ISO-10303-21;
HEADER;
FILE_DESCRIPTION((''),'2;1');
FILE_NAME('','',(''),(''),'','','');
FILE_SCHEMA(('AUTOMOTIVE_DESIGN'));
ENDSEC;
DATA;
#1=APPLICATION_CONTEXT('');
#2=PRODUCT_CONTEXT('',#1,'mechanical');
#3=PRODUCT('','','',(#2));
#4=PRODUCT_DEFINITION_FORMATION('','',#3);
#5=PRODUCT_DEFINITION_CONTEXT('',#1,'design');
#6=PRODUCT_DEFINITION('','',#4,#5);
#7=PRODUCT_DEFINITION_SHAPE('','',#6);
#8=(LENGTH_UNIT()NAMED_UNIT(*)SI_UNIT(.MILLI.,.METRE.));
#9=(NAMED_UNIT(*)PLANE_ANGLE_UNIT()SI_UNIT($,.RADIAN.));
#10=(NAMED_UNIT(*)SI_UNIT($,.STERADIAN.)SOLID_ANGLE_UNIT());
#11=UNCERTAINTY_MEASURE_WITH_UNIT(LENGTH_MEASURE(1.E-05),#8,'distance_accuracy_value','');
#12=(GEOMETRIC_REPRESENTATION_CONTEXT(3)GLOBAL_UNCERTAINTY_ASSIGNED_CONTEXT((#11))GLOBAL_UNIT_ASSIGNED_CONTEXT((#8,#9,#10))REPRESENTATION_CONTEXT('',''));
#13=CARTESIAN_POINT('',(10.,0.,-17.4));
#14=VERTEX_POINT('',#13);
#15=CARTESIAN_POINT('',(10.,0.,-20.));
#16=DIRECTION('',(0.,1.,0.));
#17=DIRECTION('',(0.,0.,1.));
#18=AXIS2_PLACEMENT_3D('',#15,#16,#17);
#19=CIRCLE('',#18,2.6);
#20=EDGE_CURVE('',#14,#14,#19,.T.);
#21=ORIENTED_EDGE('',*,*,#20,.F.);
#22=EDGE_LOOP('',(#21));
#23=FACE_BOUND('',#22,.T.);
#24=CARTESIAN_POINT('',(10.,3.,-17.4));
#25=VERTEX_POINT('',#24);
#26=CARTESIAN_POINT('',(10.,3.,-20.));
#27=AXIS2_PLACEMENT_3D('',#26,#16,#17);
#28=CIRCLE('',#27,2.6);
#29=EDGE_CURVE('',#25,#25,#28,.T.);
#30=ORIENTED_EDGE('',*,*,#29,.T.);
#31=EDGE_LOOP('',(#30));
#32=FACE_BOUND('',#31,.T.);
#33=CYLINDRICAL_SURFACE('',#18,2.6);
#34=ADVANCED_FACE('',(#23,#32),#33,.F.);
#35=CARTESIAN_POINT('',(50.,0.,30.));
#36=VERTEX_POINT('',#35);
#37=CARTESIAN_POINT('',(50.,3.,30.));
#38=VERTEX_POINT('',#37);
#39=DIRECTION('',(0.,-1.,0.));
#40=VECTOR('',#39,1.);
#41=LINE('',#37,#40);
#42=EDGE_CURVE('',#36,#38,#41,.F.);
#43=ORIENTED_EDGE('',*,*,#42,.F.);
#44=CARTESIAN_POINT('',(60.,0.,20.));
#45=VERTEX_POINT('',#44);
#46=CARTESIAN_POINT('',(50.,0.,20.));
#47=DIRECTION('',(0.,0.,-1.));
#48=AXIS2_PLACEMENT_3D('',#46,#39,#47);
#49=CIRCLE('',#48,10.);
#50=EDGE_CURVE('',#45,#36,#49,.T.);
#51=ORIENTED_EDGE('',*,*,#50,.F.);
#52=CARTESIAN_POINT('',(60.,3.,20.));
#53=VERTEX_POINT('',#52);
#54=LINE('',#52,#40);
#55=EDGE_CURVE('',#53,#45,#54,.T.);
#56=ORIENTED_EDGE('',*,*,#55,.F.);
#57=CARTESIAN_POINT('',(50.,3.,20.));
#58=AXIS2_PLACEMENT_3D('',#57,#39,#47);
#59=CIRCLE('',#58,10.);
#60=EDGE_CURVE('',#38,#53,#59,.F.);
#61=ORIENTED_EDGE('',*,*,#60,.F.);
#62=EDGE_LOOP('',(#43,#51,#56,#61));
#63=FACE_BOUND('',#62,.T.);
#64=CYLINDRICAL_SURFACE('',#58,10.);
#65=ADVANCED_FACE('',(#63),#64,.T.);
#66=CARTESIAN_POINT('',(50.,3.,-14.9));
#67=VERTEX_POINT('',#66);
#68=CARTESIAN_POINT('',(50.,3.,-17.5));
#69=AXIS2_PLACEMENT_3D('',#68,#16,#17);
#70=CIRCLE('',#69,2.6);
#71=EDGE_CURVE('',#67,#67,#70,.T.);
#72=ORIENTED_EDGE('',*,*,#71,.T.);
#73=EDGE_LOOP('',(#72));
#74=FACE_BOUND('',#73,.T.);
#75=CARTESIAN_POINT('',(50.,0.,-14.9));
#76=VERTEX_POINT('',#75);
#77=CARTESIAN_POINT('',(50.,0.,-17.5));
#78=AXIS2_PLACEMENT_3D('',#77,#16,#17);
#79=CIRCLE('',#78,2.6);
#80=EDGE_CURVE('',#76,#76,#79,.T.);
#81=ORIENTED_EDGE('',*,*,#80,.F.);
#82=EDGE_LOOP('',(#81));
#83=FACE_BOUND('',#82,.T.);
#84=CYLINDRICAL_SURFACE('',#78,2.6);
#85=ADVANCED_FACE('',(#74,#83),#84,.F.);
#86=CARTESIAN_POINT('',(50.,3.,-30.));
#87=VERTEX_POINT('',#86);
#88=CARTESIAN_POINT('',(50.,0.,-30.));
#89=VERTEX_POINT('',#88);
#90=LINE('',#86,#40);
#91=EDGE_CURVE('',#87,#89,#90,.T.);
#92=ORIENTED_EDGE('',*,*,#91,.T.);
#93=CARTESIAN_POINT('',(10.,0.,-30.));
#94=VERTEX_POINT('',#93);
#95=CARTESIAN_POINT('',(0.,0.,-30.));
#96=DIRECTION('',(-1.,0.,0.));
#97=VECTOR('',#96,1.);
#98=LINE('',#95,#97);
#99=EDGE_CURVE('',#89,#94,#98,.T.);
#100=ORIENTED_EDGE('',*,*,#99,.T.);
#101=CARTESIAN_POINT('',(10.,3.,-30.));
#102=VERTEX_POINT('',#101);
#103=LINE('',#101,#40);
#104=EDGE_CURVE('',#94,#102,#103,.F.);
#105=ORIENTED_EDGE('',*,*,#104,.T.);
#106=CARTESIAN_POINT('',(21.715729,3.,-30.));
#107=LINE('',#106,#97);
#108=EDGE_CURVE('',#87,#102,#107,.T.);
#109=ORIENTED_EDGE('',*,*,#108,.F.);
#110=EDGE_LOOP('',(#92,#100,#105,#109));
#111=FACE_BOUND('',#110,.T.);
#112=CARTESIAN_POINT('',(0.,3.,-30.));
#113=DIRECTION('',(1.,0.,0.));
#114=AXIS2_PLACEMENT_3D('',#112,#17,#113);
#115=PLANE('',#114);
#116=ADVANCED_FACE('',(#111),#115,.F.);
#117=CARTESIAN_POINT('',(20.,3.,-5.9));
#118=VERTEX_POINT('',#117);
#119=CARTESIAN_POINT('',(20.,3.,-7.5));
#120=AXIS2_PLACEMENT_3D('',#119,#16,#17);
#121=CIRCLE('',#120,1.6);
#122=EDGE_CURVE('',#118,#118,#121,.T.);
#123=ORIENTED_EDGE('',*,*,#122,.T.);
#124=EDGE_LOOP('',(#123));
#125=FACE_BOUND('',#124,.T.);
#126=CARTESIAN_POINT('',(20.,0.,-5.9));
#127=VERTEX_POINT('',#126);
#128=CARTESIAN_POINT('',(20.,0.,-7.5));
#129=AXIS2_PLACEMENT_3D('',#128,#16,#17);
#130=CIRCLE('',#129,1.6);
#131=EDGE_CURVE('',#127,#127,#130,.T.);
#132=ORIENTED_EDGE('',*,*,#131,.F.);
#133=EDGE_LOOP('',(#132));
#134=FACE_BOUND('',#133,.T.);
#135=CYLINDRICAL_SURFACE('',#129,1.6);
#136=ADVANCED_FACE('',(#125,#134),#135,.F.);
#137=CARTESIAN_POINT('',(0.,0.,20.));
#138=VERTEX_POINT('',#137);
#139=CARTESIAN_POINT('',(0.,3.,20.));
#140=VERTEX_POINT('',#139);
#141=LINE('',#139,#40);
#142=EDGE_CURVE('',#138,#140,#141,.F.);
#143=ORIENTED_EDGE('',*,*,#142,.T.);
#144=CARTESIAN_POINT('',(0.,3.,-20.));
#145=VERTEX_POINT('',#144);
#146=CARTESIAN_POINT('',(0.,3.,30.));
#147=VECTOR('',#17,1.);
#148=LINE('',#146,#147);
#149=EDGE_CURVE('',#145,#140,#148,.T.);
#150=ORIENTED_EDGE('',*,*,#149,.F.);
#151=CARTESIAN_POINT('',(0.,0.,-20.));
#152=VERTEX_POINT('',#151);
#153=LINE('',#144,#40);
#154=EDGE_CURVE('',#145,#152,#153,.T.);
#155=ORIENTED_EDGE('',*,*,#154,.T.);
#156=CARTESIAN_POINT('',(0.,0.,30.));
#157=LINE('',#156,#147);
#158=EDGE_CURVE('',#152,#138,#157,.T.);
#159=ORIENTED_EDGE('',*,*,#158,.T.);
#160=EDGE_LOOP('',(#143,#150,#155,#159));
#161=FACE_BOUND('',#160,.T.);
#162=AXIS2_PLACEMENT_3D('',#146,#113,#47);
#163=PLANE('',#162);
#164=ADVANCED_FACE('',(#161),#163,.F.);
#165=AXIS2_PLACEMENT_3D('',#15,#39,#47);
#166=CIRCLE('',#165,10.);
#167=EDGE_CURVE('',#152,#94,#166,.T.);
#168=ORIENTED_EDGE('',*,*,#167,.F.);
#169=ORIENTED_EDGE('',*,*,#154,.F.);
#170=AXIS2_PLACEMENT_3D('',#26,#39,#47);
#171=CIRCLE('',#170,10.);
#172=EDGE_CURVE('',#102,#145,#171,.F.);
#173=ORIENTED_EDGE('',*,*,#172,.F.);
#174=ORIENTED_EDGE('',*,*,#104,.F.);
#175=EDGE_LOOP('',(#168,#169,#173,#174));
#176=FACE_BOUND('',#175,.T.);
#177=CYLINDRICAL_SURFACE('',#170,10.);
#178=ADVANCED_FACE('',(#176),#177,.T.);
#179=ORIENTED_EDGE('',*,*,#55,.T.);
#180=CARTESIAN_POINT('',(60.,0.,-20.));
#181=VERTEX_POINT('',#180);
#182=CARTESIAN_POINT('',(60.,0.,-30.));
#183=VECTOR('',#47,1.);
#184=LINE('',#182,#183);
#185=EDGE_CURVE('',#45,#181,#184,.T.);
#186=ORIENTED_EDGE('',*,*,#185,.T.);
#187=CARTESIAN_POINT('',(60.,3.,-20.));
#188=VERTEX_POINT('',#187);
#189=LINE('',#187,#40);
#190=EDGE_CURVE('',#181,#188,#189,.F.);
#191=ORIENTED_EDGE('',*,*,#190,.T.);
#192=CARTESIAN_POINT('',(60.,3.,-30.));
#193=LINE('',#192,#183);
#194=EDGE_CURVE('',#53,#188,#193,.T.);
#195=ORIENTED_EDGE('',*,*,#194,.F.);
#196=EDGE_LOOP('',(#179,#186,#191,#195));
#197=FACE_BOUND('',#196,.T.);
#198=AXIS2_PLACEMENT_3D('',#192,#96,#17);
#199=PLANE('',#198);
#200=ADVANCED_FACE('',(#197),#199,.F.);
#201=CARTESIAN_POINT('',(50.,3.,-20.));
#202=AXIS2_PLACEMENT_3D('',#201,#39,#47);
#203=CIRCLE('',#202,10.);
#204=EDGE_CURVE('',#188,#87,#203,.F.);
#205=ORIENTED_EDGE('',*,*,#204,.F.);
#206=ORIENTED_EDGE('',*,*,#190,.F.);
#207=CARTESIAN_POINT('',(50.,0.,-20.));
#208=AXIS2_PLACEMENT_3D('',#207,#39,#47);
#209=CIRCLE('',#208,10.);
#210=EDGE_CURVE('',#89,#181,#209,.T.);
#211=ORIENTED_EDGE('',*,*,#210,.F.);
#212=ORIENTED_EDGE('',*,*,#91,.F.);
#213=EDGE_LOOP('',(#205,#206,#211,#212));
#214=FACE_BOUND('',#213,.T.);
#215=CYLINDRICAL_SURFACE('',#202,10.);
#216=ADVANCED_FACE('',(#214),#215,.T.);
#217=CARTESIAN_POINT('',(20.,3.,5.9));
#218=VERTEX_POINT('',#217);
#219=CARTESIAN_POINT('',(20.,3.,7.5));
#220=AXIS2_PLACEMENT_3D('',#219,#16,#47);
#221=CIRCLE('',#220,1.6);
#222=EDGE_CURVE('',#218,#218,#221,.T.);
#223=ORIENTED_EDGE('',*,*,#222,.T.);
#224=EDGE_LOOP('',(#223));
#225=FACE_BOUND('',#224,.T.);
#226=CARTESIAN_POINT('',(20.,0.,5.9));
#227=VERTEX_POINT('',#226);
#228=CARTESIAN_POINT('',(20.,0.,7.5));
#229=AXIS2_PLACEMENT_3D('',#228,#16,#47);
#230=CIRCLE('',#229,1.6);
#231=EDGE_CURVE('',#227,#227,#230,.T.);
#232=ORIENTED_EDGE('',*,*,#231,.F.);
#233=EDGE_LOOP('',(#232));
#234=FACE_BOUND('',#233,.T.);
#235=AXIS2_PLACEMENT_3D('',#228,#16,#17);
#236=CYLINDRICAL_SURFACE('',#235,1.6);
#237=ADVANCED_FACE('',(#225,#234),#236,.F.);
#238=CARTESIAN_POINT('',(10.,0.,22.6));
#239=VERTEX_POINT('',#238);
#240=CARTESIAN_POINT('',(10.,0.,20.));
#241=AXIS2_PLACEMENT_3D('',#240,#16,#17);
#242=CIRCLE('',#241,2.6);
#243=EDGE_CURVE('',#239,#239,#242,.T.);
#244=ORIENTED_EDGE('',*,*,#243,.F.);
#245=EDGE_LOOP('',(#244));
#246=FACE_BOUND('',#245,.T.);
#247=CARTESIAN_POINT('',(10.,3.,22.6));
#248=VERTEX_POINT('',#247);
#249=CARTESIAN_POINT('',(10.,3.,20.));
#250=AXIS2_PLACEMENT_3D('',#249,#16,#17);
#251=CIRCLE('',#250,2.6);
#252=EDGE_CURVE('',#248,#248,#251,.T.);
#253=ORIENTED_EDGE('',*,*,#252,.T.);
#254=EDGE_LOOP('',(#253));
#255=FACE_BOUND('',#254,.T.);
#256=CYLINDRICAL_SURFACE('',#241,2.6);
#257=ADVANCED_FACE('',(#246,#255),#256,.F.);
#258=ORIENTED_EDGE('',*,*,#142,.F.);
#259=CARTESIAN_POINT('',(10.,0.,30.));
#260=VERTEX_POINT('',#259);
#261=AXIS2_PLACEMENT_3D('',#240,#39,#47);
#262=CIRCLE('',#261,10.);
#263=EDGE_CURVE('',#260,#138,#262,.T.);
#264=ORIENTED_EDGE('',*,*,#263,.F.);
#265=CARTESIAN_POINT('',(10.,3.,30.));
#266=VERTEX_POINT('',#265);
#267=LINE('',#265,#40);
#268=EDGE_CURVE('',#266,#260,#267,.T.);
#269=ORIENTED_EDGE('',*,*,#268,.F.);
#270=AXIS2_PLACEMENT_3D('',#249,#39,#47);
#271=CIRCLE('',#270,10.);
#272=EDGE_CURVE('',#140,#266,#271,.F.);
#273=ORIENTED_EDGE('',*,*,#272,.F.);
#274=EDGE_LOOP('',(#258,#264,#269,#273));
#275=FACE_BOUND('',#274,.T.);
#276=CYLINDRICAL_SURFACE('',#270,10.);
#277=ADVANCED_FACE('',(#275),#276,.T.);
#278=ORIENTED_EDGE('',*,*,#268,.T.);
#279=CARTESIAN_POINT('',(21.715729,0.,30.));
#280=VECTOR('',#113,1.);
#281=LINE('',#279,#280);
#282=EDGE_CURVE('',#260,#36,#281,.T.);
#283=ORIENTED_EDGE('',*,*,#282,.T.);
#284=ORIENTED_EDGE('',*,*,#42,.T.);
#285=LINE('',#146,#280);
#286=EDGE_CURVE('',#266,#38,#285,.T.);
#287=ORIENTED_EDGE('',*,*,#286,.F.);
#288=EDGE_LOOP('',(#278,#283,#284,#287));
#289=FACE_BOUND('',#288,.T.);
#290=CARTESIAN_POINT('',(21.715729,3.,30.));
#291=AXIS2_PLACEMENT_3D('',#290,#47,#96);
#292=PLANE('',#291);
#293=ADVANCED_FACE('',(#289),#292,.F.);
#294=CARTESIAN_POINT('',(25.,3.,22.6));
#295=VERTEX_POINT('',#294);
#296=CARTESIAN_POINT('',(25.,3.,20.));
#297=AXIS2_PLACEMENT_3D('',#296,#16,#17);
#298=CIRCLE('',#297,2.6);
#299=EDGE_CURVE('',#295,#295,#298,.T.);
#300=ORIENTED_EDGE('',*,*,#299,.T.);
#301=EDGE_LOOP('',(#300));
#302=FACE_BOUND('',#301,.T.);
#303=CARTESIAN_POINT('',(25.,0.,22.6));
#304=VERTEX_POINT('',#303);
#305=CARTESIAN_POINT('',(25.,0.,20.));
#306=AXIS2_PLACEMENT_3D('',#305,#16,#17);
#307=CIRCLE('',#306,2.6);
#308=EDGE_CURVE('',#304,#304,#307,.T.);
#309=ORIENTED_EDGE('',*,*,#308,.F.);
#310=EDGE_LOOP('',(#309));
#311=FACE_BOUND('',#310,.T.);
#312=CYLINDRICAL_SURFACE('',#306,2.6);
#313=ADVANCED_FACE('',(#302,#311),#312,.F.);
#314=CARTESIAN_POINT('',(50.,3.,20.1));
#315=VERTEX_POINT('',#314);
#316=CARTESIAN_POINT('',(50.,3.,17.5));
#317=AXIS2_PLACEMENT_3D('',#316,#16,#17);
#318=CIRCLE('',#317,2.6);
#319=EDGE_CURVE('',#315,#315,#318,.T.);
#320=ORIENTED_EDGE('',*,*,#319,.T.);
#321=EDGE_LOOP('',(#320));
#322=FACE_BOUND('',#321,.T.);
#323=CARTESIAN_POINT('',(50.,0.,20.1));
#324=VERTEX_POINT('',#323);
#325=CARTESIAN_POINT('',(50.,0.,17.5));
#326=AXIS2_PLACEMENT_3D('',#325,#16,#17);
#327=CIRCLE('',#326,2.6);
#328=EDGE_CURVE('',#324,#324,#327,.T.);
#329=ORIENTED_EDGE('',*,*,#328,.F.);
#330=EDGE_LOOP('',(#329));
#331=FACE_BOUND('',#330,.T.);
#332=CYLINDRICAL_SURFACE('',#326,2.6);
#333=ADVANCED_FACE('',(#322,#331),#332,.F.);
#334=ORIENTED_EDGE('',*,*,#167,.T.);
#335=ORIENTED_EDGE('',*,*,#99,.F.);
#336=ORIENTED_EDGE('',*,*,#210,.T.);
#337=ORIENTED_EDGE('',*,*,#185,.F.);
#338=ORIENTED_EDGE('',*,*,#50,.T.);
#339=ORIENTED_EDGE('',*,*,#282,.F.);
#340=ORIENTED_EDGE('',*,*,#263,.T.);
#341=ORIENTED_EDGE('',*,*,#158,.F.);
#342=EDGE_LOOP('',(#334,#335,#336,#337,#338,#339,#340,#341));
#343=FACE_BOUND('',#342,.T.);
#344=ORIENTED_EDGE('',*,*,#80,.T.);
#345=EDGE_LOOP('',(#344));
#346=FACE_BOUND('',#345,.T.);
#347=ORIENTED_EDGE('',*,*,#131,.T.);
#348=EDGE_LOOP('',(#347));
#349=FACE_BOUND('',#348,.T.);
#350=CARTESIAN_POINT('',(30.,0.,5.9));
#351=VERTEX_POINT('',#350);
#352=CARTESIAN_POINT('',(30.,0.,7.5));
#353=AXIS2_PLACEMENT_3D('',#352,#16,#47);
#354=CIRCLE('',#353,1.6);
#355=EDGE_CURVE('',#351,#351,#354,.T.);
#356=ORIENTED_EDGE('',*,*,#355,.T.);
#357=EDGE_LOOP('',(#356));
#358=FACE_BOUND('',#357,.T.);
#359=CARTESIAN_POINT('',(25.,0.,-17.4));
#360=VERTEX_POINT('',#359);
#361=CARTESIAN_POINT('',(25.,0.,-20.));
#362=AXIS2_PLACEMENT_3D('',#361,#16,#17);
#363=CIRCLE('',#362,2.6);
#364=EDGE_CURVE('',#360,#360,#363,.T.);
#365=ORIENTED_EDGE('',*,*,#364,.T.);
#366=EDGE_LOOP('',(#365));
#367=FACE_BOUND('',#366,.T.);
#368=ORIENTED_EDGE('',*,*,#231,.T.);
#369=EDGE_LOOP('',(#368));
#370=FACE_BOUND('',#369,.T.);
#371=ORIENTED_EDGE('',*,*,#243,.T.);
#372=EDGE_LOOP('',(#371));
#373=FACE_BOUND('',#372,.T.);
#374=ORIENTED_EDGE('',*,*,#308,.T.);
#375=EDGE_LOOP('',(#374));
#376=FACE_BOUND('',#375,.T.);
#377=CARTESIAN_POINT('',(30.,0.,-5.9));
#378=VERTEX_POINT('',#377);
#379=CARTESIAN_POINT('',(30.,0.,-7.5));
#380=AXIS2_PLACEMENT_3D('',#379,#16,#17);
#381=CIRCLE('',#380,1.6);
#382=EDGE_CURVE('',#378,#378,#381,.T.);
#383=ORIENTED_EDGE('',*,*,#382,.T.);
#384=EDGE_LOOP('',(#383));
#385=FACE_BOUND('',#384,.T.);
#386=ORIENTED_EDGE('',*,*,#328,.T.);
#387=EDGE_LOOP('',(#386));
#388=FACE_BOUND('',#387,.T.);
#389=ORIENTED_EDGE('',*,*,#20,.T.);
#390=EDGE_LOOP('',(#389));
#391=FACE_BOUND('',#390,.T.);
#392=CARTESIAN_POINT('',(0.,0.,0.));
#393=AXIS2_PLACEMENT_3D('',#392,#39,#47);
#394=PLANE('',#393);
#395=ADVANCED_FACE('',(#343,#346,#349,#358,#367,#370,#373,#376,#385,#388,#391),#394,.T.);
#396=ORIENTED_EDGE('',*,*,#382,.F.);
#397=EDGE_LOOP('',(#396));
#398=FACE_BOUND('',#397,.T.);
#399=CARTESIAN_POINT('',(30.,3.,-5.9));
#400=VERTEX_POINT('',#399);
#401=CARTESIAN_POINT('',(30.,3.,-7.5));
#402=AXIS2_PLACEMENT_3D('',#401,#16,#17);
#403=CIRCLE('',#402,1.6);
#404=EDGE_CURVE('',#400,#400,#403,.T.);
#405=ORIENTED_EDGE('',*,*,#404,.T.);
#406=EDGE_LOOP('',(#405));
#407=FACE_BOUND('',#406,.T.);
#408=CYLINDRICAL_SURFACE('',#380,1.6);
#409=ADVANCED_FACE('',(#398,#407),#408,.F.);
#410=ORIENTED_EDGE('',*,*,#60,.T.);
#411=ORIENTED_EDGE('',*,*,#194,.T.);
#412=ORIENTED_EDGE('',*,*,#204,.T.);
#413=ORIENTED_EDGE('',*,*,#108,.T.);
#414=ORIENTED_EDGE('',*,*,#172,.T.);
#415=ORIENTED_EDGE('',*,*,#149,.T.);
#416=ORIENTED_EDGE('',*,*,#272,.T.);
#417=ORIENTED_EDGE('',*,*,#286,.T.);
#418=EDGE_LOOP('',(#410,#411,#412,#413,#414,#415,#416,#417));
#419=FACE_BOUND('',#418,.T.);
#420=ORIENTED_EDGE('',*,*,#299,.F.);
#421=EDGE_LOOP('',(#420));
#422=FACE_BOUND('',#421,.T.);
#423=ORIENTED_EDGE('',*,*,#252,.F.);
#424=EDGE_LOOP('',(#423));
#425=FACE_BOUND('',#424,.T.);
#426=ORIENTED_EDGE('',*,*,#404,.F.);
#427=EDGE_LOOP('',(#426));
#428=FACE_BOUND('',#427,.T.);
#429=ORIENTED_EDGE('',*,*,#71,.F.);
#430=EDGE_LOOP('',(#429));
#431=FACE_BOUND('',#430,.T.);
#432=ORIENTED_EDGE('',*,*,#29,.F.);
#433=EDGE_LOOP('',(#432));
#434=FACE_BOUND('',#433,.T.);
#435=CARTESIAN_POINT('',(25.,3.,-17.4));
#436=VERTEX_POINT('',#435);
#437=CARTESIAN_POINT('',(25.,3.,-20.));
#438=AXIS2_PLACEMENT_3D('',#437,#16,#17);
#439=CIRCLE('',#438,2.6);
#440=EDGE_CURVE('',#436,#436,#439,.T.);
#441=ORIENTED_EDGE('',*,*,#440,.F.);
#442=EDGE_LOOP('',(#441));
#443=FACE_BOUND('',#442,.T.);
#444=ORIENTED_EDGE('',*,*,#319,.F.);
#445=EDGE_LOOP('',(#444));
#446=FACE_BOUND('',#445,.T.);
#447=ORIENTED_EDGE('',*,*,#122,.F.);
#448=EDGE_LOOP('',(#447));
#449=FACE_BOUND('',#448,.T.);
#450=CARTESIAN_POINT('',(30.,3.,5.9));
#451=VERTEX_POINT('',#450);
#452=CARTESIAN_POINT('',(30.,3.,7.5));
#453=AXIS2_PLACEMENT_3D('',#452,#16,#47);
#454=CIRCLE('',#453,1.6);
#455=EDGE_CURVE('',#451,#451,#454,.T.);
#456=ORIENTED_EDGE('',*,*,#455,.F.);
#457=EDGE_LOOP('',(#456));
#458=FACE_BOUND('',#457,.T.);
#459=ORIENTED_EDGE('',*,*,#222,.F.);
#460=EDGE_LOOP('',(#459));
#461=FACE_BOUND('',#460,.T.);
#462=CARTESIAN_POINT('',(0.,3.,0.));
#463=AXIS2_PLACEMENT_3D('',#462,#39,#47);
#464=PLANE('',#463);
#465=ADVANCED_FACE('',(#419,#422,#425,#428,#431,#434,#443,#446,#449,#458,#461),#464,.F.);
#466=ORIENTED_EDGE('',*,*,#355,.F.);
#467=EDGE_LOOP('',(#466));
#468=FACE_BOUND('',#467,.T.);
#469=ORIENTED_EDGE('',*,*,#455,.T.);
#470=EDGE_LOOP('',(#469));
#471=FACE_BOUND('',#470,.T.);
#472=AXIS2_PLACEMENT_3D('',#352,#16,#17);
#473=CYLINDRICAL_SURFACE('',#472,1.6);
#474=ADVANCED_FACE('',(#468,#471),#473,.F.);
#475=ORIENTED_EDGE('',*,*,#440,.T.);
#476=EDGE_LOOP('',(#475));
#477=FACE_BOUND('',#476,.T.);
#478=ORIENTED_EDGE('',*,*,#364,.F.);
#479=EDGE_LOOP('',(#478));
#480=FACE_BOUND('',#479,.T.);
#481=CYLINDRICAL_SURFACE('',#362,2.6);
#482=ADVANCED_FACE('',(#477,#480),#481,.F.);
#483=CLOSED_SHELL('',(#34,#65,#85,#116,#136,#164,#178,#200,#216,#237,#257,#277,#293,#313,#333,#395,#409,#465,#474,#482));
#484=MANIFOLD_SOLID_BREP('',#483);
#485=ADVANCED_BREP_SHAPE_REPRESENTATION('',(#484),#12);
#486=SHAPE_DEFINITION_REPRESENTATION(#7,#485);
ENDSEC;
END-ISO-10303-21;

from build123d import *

# Parameters (mm, degrees)
EXTRUDE_1_DEPTH     = 3
SKETCH_2_R          = 1.6
SKETCH_2_R_2        = 2.6
CUT_EXTRUDE_1_DEPTH = 68.149087857
FILLET_1_R          = 10


with BuildPart() as part:
    # 草图1 → 凸台-拉伸1 (new body)
    with BuildSketch(Plane(origin=(0, 0, 0), x_dir=(1, 0, 0), z_dir=(0, 1, 0))):
        Polygon((0, -30), (0, 30), (21.715728753, 30), (60, 30), (60, -30), (21.715728753, -30), align=None)
    extrude(amount=EXTRUDE_1_DEPTH)

    # 草图2 → 切除-拉伸1 (cut, through all)
    with BuildSketch(Plane(origin=(0, 3, 0), x_dir=(1, 0, 0), z_dir=(0, 1, 0))):
        with Locations(Location((20, 7.5, 0), (0, 0, 270))):
            Circle(SKETCH_2_R)
        with Locations(Location((30, 7.5, 0), (0, 0, 270))):
            Circle(SKETCH_2_R)
        with Locations(Location((30, -7.5, 0), (0, 0, 90))):
            Circle(SKETCH_2_R)
        with Locations(Location((20, -7.5, 0), (0, 0, 90))):
            Circle(SKETCH_2_R)
        with Locations(Location((10, 20, 0), (0, 0, 270))):
            Circle(SKETCH_2_R_2)
        with Locations(Location((10, -20, 0), (0, 0, 270))):
            Circle(SKETCH_2_R_2)
        with Locations(Location((25, 20, 0), (0, 0, 270))):
            Circle(SKETCH_2_R_2)
        with Locations(Location((25, -20, 0), (0, 0, 270))):
            Circle(SKETCH_2_R_2)
        with Locations(Location((50, 17.5, 0), (0, 0, 270))):
            Circle(SKETCH_2_R_2)
        with Locations(Location((50, -17.5, 0), (0, 0, 270))):
            Circle(SKETCH_2_R_2)
    extrude(amount=-CUT_EXTRUDE_1_DEPTH, mode=Mode.SUBTRACT)

    # 圆角1
    fillet_1_edges = [part.edges().sort_by_distance(p)[0] for p in [
        (60, 1.5, -30),
        (60, 1.5, 30),
        (0, 1.5, 30),
        (0, 1.5, -30),
    ]]
    fillet(fillet_1_edges, radius=FILLET_1_R)


solid = part.part
